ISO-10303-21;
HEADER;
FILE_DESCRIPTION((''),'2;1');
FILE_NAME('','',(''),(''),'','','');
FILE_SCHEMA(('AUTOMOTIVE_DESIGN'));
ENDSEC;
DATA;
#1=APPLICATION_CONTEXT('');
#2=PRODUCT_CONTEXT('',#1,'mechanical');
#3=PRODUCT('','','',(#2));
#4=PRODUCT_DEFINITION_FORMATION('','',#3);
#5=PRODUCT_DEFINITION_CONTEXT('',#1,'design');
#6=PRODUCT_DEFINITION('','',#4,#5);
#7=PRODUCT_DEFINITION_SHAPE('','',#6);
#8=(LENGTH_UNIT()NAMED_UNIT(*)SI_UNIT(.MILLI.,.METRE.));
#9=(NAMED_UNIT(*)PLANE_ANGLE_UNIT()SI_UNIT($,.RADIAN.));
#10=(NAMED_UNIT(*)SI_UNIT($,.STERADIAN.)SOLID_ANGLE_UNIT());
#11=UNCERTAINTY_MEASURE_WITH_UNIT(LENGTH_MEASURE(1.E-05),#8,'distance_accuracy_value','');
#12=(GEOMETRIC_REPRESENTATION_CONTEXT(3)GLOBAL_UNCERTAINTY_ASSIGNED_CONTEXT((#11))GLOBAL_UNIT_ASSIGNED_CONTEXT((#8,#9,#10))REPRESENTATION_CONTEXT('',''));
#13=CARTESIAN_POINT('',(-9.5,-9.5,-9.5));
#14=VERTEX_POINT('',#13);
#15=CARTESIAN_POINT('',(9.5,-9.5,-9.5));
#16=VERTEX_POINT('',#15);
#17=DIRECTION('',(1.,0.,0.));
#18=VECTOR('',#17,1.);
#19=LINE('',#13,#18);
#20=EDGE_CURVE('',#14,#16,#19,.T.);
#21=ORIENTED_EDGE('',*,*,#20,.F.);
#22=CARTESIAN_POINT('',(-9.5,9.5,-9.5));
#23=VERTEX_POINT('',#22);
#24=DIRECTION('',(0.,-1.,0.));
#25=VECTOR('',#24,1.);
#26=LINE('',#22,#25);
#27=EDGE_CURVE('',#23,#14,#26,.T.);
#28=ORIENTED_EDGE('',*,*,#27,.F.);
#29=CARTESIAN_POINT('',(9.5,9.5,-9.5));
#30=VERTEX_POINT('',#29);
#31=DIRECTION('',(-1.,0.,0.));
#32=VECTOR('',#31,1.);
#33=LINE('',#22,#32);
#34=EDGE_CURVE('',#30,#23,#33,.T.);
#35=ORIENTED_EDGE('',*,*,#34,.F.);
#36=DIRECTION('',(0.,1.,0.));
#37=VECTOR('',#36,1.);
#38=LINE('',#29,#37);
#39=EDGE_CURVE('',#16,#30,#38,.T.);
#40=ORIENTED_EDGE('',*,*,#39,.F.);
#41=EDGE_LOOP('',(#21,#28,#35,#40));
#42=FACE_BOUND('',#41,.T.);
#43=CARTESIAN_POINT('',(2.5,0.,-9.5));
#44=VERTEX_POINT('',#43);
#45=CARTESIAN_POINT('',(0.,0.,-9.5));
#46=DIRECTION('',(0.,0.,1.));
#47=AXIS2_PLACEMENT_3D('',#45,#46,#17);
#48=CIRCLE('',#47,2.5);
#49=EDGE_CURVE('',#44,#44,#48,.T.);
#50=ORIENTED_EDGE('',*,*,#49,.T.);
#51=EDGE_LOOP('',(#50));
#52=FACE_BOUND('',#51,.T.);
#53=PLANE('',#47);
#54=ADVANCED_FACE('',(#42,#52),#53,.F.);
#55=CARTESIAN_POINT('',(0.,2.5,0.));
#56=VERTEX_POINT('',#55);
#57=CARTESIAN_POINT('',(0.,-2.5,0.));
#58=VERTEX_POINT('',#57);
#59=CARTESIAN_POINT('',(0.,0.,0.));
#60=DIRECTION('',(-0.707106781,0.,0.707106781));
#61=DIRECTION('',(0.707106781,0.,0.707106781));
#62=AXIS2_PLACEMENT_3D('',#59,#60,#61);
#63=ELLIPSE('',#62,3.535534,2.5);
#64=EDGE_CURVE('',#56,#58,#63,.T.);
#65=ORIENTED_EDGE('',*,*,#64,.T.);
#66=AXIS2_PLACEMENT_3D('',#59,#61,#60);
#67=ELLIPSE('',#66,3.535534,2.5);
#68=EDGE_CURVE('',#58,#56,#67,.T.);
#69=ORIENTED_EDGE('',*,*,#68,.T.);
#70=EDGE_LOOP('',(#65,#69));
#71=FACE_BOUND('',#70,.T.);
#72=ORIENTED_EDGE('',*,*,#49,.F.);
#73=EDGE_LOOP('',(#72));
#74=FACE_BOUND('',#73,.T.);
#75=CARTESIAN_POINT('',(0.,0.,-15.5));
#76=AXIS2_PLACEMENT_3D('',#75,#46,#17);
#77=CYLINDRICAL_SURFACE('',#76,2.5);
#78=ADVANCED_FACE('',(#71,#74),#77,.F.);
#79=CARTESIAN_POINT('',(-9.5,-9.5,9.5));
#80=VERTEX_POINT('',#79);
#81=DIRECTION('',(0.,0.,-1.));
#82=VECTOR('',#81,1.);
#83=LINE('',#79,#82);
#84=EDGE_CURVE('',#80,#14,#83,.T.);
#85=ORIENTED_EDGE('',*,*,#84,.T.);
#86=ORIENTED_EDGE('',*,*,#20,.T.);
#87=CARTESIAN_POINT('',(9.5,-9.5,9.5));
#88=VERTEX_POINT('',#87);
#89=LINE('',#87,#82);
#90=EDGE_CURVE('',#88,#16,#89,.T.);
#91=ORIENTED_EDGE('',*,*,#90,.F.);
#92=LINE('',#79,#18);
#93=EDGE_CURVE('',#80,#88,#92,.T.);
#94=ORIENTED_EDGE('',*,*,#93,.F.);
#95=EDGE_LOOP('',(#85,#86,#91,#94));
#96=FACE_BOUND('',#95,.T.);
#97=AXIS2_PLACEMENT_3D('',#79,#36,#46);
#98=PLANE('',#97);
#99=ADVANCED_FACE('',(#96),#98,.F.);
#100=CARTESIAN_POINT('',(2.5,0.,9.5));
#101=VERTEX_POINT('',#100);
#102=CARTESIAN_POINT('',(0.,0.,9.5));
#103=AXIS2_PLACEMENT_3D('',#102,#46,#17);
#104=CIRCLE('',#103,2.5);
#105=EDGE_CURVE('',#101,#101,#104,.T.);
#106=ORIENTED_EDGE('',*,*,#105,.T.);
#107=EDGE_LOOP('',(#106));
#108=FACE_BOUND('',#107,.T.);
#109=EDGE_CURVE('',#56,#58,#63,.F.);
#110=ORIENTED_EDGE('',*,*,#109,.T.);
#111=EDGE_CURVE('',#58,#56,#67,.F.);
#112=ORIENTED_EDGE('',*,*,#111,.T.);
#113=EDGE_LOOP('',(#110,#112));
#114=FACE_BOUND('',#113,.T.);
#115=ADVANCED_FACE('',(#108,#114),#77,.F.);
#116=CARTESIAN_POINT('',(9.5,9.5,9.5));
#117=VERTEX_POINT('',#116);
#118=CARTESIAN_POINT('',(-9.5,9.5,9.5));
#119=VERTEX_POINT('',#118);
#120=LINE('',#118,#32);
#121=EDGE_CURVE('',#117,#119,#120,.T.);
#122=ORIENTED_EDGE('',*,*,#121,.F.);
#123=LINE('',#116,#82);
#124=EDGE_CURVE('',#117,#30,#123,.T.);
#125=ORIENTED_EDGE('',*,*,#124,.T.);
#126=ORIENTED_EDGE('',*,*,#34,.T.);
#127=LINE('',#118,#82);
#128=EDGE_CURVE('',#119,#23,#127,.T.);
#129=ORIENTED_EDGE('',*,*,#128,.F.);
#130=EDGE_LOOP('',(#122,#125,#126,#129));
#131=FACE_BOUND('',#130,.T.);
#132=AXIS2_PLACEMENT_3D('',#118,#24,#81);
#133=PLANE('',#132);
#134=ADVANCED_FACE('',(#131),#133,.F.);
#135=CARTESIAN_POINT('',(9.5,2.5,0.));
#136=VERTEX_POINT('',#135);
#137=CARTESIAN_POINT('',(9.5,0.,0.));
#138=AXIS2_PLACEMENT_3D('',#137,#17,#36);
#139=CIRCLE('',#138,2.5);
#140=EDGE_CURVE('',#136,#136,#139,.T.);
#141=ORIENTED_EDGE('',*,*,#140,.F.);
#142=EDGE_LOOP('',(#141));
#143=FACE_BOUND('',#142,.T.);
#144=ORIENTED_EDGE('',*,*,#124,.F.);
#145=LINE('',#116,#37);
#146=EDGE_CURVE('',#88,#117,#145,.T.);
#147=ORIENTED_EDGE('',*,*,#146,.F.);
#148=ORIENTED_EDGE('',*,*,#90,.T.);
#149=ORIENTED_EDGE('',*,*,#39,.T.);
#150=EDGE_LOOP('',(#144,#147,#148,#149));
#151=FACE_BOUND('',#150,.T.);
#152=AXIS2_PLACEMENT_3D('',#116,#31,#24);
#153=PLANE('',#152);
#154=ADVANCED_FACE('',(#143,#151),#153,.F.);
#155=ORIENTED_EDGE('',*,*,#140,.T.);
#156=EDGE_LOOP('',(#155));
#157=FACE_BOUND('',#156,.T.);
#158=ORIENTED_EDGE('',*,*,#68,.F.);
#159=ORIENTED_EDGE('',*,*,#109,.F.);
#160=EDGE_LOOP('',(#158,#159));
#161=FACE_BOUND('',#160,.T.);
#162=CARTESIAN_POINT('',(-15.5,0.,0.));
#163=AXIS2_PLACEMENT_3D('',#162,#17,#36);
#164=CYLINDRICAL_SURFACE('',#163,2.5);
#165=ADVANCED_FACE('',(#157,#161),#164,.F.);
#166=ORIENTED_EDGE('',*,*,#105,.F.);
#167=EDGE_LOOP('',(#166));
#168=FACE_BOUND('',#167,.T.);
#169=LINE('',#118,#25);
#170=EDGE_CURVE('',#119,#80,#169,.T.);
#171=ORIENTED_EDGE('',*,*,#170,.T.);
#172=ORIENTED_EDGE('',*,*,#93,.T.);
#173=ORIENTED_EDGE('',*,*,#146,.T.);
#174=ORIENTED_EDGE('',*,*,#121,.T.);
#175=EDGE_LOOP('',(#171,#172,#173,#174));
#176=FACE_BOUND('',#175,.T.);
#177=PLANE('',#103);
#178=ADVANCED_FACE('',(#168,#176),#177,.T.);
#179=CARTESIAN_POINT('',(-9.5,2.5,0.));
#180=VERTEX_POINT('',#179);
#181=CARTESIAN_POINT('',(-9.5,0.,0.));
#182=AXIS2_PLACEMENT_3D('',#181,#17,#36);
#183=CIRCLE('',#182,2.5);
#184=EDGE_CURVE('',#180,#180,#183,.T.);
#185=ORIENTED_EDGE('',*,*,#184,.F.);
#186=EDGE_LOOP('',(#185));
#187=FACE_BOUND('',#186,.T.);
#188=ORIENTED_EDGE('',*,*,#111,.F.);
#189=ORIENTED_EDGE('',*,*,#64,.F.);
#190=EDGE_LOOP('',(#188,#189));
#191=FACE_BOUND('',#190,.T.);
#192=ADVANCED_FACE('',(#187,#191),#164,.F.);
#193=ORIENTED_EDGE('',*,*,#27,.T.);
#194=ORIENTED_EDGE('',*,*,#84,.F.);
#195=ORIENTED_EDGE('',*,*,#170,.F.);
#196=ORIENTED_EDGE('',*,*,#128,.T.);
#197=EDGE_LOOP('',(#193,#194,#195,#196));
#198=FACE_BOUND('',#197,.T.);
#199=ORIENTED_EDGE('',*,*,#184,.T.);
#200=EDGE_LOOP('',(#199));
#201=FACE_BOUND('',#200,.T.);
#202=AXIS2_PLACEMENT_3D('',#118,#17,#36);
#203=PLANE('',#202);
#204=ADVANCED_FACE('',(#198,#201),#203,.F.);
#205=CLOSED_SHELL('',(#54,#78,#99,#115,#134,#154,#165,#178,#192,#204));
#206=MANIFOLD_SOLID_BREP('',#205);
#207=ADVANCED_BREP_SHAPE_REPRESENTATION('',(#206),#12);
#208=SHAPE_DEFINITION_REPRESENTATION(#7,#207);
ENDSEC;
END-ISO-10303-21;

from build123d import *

# Parameters (mm, degrees)
SKETCH1_W           = 19
SKETCH1_H           = 19
BOSS_EXTRUDE1_DEPTH = 9.5
SKETCH2_R           = 2.5
CUT_EXTRUDE1_DEPTH  = 25
SKETCH3_R           = 2.5
CUT_EXTRUDE2_DEPTH  = 25


with BuildPart() as part:
    # Sketch1 → Boss-Extrude1 (new body, symmetric)
    with BuildSketch(Plane.XY):
        Rectangle(SKETCH1_W, SKETCH1_H)
    extrude(amount=BOSS_EXTRUDE1_DEPTH, both=True)

    # Sketch2 → Cut-Extrude1 (cut)
    with BuildSketch(Plane.XY.offset(9.5)):
        Circle(SKETCH2_R)
    extrude(amount=-CUT_EXTRUDE1_DEPTH, mode=Mode.SUBTRACT)

    # Sketch3 → Cut-Extrude2 (cut)
    with BuildSketch(Plane(origin=(9.5, 0, 0), x_dir=(0, 0, -1), z_dir=(1, 0, 0))):
        Circle(SKETCH3_R)
    extrude(amount=-CUT_EXTRUDE2_DEPTH, mode=Mode.SUBTRACT)


solid = part.part
